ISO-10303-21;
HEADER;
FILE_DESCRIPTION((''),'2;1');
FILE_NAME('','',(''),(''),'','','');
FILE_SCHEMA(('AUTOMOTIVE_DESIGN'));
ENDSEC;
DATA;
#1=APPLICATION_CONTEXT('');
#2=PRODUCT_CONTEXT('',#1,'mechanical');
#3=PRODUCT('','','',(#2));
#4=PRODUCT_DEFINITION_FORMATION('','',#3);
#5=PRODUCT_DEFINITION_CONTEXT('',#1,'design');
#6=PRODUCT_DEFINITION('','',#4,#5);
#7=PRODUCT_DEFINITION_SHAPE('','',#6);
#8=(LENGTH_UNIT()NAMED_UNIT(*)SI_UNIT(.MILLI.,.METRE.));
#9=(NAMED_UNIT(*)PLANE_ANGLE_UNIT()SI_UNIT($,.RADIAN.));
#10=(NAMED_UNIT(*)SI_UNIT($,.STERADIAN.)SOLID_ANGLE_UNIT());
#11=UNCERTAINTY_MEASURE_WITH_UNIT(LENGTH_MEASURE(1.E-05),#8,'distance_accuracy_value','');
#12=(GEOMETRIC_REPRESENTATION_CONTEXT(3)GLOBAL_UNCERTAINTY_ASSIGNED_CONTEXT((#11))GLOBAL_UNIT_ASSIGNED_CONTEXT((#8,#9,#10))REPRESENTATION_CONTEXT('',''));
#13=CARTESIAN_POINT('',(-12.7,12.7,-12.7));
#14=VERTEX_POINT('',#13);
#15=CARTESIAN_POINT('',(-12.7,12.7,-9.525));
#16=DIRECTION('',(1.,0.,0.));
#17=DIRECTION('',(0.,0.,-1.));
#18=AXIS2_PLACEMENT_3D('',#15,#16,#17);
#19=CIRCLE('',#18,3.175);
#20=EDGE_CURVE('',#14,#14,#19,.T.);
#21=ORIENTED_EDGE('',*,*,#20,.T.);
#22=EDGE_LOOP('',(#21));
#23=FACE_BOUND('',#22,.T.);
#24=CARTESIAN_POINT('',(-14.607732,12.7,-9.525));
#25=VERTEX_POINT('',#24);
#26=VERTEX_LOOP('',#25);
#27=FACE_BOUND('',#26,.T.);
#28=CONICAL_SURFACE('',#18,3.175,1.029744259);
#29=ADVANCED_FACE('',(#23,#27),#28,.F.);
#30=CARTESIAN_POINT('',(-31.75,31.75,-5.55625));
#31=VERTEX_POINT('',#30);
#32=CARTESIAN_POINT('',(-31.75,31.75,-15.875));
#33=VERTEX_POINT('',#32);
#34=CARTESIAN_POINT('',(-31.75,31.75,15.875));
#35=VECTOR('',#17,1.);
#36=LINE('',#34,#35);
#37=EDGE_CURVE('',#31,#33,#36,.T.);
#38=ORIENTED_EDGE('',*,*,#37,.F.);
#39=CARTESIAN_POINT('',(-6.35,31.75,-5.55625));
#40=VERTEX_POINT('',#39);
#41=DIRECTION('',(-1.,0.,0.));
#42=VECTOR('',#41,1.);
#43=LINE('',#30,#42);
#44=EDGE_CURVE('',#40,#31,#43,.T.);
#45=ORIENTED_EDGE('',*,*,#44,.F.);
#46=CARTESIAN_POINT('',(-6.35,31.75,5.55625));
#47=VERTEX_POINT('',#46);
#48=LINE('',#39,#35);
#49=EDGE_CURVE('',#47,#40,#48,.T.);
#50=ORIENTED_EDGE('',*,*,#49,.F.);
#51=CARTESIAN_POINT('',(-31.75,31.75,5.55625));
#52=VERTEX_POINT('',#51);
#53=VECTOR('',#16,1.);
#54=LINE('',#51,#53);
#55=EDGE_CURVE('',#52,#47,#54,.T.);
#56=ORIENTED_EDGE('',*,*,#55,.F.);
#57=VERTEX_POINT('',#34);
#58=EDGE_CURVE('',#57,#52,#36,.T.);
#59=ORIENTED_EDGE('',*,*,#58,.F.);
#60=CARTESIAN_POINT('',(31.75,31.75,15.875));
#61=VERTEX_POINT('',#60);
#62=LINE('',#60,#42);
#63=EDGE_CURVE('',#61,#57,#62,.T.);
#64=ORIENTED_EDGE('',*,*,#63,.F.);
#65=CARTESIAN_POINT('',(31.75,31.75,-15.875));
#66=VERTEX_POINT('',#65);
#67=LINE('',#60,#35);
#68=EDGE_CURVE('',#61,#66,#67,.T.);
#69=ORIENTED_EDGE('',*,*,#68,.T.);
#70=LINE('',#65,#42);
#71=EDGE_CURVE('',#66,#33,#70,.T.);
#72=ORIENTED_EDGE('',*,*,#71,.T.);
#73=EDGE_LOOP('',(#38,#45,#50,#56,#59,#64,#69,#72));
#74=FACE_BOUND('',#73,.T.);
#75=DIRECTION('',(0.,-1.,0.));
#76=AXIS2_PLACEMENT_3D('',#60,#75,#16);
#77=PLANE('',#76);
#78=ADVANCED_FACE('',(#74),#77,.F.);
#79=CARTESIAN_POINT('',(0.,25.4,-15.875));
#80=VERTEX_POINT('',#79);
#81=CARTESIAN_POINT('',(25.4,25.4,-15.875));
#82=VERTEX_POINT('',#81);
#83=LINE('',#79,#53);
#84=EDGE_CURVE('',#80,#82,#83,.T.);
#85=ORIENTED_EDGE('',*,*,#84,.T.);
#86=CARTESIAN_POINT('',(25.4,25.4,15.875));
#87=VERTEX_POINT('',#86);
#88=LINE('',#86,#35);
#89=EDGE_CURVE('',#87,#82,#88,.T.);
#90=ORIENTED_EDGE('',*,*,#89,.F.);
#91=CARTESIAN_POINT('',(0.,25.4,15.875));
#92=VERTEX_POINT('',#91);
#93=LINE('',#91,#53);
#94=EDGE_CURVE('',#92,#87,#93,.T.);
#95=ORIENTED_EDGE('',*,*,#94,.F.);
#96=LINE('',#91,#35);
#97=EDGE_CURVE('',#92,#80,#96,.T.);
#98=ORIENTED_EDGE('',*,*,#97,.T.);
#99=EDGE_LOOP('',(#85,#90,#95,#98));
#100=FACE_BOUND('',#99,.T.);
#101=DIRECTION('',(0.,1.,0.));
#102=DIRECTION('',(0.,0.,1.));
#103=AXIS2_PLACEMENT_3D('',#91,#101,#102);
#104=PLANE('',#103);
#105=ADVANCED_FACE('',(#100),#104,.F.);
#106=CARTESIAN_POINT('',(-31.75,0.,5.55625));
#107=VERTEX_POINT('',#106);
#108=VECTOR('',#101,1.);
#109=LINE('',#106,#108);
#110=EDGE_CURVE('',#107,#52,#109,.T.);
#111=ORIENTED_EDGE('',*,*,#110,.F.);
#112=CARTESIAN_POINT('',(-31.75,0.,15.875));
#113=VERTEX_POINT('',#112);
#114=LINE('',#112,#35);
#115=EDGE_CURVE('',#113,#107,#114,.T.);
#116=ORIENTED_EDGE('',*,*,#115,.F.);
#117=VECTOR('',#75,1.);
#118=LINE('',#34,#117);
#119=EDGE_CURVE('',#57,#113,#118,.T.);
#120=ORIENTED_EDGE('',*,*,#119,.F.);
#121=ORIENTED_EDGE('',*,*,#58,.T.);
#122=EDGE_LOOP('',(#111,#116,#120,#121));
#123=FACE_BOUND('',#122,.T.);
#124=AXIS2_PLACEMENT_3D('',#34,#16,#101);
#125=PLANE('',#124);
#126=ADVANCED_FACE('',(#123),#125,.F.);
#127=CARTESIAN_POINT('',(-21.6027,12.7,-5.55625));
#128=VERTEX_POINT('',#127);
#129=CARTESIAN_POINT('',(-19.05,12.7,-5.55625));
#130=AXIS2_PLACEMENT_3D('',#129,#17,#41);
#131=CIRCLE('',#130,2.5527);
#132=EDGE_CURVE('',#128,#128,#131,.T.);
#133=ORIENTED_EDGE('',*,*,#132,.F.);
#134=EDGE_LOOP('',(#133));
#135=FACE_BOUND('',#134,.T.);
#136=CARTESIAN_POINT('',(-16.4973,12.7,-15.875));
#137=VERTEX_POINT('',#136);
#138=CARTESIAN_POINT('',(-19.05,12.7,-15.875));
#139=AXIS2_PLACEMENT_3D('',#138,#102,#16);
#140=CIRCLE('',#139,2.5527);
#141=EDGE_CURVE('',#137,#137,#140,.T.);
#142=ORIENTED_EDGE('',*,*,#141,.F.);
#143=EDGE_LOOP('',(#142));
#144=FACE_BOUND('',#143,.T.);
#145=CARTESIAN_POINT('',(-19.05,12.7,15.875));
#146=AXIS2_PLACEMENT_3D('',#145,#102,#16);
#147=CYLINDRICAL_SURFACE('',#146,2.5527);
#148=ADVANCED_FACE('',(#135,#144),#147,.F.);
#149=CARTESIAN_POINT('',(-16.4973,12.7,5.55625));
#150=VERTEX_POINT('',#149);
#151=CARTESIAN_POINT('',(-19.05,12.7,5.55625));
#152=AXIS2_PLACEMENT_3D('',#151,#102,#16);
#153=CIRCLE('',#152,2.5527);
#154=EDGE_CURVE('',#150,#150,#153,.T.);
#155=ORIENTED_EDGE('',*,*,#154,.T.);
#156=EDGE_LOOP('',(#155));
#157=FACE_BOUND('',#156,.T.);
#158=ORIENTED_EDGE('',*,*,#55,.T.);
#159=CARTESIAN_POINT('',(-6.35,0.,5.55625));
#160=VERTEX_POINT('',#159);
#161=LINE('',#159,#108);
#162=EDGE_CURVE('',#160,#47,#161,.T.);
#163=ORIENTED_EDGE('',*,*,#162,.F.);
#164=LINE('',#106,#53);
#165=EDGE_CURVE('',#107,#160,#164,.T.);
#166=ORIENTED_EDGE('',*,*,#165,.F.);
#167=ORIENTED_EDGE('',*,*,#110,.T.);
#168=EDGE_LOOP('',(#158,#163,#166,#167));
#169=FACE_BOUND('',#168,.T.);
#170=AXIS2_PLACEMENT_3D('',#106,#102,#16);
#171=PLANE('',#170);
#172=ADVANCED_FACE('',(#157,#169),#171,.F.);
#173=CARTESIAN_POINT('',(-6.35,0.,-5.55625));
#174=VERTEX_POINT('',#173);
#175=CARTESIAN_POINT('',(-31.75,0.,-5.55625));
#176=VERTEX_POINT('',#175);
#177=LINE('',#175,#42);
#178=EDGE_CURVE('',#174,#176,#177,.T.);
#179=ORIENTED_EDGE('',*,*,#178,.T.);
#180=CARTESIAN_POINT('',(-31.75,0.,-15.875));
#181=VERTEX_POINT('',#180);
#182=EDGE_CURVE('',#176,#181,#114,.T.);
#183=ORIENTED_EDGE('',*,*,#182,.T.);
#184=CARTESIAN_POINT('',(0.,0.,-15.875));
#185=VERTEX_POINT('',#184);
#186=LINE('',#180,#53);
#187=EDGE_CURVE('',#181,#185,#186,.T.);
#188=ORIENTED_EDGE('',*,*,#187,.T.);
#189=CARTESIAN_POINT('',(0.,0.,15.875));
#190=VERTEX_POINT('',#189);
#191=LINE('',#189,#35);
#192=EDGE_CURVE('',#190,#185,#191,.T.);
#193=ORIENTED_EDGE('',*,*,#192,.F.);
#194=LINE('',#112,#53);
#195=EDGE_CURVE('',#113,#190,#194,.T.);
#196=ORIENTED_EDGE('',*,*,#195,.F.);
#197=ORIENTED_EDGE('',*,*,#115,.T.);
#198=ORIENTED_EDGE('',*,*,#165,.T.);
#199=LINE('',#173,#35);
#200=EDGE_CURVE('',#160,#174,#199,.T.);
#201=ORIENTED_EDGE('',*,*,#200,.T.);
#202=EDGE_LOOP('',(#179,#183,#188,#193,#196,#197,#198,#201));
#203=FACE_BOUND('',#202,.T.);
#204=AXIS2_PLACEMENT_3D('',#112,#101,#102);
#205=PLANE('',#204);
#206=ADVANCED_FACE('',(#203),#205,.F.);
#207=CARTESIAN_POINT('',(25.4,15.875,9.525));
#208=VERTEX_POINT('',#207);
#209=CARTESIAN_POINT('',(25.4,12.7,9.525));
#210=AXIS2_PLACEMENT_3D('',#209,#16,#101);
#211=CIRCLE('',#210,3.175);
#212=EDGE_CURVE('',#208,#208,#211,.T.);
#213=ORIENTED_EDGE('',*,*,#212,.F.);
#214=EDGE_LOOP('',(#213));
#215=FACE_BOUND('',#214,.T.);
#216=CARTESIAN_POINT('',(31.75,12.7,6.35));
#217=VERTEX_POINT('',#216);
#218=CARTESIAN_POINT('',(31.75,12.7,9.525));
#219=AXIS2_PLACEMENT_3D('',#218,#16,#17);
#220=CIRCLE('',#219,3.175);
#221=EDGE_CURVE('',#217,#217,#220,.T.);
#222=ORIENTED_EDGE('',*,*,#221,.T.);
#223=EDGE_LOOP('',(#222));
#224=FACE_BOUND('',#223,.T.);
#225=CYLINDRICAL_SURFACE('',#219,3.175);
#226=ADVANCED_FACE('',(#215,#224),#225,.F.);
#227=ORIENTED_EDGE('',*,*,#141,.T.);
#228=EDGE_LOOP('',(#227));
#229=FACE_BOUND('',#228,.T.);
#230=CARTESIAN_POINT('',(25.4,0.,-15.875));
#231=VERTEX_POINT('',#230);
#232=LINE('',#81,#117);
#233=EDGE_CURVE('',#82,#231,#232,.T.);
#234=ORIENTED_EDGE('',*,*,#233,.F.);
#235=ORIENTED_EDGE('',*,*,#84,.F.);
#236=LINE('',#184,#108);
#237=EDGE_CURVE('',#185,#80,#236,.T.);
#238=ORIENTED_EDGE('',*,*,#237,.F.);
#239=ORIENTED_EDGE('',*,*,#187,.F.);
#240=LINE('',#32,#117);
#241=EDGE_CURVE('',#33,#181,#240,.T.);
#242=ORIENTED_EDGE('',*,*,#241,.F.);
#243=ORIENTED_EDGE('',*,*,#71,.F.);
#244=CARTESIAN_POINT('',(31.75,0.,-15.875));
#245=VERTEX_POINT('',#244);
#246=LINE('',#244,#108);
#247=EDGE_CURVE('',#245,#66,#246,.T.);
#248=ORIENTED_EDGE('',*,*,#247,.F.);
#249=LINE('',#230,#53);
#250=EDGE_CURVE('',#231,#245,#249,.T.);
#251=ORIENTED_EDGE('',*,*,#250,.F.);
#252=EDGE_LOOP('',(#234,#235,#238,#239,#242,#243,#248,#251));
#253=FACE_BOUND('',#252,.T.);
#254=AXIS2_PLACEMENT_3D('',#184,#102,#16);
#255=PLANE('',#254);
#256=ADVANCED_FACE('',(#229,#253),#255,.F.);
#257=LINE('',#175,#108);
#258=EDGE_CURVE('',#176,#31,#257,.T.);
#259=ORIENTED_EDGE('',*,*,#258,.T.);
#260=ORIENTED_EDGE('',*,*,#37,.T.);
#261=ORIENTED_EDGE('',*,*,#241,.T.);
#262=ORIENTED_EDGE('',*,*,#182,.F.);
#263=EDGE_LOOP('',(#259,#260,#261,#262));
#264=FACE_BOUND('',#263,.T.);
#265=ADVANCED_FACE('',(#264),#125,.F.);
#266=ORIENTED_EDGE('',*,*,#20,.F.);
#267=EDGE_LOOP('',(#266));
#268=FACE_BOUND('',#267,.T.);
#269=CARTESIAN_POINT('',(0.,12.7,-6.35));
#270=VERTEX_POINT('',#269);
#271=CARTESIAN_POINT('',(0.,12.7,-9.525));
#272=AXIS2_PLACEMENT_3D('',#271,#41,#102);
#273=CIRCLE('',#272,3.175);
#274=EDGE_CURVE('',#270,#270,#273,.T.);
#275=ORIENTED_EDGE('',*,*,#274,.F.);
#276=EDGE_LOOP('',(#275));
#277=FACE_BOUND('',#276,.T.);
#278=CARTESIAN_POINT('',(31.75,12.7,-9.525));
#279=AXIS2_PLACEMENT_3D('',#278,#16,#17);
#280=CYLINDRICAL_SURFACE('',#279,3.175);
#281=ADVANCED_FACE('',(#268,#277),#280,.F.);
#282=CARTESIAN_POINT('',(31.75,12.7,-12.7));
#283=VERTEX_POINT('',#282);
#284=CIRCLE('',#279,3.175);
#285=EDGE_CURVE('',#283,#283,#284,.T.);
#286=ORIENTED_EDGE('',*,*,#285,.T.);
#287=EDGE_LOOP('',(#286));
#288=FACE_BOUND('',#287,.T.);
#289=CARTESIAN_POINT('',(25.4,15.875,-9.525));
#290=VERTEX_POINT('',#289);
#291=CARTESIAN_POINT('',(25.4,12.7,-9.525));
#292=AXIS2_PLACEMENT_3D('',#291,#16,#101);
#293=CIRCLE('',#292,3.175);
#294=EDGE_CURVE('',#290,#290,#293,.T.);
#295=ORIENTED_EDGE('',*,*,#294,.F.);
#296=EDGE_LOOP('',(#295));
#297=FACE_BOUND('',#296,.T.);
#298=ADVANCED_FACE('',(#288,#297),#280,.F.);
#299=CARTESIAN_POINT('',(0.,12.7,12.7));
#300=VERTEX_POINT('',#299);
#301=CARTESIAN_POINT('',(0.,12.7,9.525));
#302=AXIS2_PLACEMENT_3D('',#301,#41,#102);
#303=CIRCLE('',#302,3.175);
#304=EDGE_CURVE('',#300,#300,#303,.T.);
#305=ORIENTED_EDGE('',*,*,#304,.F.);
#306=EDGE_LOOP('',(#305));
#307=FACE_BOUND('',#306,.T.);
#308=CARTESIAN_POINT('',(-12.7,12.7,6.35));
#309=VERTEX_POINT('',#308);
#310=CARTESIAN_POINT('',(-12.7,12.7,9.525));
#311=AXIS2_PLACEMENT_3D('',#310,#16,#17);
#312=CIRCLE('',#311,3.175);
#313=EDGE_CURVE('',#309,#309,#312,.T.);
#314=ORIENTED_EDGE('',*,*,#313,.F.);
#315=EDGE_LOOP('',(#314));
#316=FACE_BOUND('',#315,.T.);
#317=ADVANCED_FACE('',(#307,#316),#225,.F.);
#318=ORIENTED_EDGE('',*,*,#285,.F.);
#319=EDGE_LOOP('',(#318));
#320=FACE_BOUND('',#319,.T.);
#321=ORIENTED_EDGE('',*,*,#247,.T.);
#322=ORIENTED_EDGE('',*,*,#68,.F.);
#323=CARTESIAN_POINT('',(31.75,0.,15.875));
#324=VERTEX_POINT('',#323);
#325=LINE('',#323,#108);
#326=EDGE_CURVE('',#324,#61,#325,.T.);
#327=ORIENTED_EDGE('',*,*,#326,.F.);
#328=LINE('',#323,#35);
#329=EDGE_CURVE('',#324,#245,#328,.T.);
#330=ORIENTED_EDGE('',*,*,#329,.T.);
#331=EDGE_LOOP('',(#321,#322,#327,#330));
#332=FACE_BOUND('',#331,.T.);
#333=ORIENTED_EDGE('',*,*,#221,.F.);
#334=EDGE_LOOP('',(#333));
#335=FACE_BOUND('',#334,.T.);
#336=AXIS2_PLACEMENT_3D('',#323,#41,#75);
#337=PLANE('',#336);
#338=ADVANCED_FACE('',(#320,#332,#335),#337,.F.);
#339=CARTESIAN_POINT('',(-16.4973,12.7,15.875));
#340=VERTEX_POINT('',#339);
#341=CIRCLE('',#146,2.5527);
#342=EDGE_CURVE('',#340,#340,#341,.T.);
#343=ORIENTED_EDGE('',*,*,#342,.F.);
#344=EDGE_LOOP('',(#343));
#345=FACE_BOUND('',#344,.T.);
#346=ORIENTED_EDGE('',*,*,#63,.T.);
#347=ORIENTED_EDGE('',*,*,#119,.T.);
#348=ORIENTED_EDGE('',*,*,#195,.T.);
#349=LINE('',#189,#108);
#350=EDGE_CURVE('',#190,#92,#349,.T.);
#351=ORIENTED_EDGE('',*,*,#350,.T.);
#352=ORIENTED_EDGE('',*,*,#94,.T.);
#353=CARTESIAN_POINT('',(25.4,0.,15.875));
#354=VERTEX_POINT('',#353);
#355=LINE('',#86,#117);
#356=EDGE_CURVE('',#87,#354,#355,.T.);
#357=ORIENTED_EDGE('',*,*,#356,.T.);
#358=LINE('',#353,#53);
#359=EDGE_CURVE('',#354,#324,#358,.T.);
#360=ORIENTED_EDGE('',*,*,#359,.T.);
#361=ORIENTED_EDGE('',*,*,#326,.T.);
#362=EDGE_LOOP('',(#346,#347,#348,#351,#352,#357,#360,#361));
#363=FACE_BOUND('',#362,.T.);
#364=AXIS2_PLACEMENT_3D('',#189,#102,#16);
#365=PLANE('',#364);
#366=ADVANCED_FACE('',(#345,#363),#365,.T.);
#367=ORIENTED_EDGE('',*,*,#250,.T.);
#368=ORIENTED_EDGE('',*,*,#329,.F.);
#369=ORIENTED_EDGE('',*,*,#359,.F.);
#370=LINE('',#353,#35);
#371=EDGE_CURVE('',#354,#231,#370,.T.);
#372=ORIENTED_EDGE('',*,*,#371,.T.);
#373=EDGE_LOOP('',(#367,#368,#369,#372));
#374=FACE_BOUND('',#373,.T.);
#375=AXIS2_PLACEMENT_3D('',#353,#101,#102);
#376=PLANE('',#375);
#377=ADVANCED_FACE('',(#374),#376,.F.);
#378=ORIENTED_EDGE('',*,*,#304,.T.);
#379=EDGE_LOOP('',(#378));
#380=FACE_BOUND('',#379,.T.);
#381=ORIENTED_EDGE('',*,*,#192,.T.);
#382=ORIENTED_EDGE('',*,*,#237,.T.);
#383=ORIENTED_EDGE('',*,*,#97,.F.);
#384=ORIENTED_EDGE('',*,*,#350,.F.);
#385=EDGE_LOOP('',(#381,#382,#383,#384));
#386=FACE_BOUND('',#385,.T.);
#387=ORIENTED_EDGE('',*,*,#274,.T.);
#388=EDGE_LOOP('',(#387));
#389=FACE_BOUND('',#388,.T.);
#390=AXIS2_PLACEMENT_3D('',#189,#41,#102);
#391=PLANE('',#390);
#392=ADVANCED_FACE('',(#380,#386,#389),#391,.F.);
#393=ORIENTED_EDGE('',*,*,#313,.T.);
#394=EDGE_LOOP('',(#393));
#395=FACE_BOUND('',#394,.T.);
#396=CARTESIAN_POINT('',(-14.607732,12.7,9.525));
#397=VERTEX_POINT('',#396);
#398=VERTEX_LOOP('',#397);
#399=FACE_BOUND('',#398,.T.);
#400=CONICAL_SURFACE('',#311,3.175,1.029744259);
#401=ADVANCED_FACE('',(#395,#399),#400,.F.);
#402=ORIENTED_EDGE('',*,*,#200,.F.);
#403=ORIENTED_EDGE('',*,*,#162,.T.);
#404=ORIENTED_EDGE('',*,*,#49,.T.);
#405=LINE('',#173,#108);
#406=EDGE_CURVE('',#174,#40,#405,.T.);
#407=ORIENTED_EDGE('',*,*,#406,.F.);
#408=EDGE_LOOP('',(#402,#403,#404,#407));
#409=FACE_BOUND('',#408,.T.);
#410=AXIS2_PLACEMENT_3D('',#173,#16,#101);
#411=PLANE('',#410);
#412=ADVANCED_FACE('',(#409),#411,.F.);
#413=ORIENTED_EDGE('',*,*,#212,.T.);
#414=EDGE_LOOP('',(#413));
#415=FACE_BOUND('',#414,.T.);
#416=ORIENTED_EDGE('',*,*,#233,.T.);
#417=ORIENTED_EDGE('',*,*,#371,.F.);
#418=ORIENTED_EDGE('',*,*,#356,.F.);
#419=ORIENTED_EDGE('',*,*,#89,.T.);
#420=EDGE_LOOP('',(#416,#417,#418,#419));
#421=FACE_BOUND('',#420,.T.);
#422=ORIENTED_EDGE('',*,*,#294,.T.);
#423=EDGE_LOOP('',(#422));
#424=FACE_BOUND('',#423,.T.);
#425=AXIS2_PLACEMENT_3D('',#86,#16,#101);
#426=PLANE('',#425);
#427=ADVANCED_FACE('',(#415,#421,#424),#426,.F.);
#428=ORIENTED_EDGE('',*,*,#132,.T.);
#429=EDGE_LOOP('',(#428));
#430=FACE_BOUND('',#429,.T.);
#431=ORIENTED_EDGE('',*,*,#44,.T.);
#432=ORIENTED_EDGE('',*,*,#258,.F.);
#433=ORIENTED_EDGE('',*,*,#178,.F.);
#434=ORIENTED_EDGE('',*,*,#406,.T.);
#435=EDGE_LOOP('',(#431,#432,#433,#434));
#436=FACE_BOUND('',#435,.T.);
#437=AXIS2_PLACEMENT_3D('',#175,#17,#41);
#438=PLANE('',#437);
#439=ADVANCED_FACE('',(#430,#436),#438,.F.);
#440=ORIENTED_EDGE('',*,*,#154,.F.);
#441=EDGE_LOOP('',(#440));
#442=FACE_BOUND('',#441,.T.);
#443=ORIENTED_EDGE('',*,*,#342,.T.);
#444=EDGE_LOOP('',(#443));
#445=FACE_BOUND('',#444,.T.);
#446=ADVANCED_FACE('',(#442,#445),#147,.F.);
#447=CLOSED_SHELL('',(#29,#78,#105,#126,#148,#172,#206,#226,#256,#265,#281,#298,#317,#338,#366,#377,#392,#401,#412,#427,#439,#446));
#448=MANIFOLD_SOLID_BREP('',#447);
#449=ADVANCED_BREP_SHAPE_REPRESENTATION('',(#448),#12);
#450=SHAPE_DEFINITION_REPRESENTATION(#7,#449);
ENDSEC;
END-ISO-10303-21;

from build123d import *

# Parameters (mm, degrees)
BOSS_EXTRUDE1_DEPTH             = 15.875
SKETCH2_W                       = 25.4
SKETCH2_H                       = 11.1125
CUT_EXTRUDE1_DEPTH              = 32.75
F_1_4_0_25_DIAMETER_HOLE1_D     = 6.35
F_1_4_0_25_DIAMETER_HOLE1_DEPTH = 44.45
F_1_4_0_25_DIAMETER_HOLE1_TIP   = 1.907732465
F_10_CLEARANCE_HOLE1_D          = 5.1054


with BuildPart() as part:
    # Sketch1 → Boss-Extrude1 (new body, symmetric)
    with BuildSketch(Plane.XY):
        Polygon((0, 0), (0, 25.4), (25.4, 25.4), (25.4, 0), (31.75, 0), (31.75, 31.75), (-31.75, 31.75), (-31.75, 0), align=None)
    extrude(amount=BOSS_EXTRUDE1_DEPTH, both=True)

    # Sketch2 → Cut-Extrude1 (cut, through all)
    with BuildSketch(Plane(origin=(0, 31.75, 0), x_dir=(1, 0, 0), z_dir=(0, 1, 0))):
        with Locations((-19.05, 0)):
            Rectangle(SKETCH2_W, SKETCH2_H)
    extrude(amount=-CUT_EXTRUDE1_DEPTH, mode=Mode.SUBTRACT)

    # 1/4 (0.25) Diameter Hole1
    with Locations(Plane(origin=(31.75, 0, 0), x_dir=(0, 0, -1), z_dir=(1, 0, 0))):
        with Locations((-9.525, 12.7), (9.525, 12.7)):
            Hole(F_1_4_0_25_DIAMETER_HOLE1_D / 2, depth=F_1_4_0_25_DIAMETER_HOLE1_DEPTH)
            with Locations((0, 0, -(F_1_4_0_25_DIAMETER_HOLE1_DEPTH + F_1_4_0_25_DIAMETER_HOLE1_TIP / 2))):  # 118° drill point
                Cone(0, F_1_4_0_25_DIAMETER_HOLE1_D / 2, F_1_4_0_25_DIAMETER_HOLE1_TIP, mode=Mode.SUBTRACT)

    # #10 Clearance Hole1 (through all)
    with Locations(Plane.XY.offset(15.875)):
        with Locations((-19.05, 12.7)):
            Hole(F_10_CLEARANCE_HOLE1_D / 2)


solid = part.part
